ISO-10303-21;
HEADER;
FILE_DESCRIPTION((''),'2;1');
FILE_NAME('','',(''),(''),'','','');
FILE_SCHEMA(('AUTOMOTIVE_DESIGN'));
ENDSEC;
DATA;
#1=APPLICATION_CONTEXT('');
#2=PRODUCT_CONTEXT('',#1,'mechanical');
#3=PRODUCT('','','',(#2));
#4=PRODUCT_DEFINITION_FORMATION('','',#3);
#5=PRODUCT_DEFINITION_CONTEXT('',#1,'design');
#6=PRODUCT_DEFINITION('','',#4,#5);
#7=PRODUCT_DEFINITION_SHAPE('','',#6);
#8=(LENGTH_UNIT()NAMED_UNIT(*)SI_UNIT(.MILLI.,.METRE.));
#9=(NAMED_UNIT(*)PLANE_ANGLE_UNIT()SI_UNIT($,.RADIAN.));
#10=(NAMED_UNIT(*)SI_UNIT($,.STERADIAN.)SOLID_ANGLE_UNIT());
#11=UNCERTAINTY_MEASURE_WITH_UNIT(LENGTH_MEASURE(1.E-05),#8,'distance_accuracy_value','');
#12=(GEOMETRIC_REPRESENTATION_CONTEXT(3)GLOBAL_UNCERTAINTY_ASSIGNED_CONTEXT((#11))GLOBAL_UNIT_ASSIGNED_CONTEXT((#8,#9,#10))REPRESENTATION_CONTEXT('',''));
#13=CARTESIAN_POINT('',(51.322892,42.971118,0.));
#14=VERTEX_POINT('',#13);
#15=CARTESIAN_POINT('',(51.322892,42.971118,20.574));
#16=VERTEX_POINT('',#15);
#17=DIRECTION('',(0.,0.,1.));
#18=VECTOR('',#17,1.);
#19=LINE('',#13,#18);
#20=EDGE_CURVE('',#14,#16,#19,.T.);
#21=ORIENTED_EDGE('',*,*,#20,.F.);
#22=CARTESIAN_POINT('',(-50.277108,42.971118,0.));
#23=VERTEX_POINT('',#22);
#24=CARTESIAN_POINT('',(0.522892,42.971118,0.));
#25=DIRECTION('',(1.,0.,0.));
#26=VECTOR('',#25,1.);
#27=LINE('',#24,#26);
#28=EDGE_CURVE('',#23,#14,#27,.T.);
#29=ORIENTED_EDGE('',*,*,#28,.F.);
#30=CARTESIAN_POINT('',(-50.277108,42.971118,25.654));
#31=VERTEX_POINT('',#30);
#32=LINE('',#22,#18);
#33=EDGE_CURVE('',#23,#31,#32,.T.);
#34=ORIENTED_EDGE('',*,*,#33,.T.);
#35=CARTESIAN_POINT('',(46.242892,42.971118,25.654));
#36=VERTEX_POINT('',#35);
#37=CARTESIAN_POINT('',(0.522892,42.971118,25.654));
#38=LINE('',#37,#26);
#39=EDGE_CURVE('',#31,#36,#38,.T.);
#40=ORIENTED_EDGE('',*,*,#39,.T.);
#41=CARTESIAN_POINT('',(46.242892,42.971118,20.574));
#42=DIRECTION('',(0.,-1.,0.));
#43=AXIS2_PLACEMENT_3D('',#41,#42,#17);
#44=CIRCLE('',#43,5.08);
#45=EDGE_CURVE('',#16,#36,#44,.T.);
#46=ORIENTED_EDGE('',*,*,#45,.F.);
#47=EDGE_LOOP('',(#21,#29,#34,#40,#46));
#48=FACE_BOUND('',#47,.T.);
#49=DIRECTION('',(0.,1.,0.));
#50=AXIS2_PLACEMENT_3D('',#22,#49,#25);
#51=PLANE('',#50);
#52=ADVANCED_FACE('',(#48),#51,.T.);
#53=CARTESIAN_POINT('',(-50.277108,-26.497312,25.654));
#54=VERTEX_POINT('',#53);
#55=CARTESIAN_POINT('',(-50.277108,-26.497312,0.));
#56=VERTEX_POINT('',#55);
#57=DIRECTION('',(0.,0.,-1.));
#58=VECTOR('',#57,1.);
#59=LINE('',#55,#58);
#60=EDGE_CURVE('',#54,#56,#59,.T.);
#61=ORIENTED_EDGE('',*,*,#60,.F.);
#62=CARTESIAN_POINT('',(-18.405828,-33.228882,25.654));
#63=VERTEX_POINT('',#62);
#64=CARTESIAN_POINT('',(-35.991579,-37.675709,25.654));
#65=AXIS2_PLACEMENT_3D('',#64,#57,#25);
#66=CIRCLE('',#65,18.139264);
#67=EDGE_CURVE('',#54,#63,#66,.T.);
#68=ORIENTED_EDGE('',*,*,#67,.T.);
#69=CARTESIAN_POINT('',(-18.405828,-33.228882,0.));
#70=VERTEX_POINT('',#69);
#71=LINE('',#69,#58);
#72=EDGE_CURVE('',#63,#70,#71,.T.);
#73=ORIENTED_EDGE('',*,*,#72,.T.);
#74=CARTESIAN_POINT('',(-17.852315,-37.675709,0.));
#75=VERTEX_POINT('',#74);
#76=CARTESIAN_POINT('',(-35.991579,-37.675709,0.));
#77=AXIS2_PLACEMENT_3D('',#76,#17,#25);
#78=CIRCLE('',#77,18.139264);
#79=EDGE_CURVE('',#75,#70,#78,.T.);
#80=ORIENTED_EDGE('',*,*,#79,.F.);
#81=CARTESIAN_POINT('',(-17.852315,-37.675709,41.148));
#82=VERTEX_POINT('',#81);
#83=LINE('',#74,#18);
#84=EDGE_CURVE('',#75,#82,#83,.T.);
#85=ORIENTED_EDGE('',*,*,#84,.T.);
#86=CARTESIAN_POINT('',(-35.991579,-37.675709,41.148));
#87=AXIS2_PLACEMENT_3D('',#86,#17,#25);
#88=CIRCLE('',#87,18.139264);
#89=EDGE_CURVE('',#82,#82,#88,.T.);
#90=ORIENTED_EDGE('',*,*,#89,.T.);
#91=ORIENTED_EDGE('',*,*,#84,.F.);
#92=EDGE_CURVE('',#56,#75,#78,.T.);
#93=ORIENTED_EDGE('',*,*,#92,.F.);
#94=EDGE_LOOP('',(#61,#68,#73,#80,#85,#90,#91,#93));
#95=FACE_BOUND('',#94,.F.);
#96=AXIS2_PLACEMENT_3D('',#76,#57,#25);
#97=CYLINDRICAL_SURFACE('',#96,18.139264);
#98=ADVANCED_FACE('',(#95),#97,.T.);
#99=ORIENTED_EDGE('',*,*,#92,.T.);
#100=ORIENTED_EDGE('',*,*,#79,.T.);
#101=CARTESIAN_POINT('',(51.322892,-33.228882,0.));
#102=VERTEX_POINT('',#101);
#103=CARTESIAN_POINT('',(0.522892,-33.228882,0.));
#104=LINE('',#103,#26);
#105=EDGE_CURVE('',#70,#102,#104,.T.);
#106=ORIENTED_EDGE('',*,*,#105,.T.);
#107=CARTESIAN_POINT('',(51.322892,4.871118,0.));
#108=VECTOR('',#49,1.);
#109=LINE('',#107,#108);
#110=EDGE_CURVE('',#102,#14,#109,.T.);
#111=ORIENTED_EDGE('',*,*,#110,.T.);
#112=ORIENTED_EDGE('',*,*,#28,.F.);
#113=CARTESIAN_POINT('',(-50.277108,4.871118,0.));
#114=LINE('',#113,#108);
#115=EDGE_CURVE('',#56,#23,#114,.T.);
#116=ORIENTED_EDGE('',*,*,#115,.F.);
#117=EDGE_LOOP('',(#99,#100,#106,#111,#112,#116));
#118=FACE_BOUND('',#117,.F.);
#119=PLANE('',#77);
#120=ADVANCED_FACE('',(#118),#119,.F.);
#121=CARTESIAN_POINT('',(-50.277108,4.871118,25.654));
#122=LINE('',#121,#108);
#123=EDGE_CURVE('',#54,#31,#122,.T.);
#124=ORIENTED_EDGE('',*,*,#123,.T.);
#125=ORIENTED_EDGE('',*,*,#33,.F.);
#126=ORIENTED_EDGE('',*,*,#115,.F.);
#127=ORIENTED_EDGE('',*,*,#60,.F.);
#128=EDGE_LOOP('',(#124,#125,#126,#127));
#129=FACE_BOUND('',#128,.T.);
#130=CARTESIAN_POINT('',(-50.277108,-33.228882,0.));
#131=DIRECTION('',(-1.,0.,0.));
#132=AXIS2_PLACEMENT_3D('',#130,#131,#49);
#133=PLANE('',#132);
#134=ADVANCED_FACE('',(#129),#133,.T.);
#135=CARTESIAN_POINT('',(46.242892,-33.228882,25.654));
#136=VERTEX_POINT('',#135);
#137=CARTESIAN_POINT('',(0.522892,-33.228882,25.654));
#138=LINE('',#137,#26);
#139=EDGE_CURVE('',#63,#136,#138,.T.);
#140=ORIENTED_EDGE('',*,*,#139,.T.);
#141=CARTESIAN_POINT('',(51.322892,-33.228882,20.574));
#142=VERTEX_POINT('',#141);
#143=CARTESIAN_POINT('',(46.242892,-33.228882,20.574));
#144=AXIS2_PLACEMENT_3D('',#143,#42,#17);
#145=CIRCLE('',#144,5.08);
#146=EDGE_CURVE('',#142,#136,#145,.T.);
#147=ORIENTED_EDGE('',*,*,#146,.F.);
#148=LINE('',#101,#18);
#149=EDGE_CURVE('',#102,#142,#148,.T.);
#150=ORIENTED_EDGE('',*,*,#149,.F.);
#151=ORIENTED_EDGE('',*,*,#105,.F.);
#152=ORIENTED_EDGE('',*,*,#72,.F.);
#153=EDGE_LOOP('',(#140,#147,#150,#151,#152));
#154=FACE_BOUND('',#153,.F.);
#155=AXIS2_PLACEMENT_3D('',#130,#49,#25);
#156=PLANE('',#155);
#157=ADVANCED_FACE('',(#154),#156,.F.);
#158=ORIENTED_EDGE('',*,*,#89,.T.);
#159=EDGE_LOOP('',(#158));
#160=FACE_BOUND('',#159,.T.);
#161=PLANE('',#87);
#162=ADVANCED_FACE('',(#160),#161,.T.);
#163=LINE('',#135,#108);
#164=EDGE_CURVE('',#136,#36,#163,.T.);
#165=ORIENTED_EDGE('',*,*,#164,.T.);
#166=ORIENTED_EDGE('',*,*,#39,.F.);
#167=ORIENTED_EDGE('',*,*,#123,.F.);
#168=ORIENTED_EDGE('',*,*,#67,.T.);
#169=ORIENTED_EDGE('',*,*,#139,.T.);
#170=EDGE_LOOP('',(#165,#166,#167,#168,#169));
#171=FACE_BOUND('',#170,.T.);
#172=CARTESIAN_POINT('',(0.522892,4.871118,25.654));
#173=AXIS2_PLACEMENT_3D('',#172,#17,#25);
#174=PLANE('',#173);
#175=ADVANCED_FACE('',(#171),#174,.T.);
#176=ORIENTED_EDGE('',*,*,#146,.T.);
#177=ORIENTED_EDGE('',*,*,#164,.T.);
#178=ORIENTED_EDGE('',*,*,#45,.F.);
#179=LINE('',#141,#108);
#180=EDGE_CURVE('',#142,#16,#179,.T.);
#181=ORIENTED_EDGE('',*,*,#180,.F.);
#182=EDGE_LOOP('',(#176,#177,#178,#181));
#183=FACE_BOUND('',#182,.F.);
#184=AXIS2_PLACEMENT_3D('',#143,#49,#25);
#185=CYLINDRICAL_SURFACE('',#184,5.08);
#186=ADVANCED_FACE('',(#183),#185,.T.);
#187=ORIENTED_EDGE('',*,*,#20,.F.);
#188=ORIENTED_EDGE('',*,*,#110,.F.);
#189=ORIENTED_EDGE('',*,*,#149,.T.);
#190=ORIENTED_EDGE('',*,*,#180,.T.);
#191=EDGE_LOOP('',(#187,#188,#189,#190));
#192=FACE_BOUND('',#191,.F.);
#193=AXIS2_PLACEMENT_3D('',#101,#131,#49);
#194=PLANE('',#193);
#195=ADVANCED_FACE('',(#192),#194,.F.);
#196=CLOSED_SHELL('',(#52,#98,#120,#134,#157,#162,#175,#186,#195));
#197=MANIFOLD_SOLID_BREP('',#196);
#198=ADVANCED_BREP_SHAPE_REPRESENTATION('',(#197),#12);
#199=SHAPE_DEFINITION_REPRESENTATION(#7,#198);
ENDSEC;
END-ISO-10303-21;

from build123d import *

# Parameters (mm, degrees)
F0_W     = 101.6
F0_H     = 76.2
F1_DEPTH = 25.654
F2_R     = 5.08
F3_R     = 18.139264
F4_DEPTH = 41.148


with BuildPart() as f1:
    # F0 (on Top) → F1 (new body)
    with BuildSketch(Plane.XY):
        with Locations((0.522892, 4.871118)):
            Rectangle(F0_W, F0_H)
    extrude(amount=F1_DEPTH)

    # F2
    f2_edges = [f1.edges().sort_by_distance(p)[0] for p in [
        (51.322892, 4.871118, 25.654),
    ]]
    fillet(f2_edges, radius=F2_R)

    # F3 (on Top) → F4 (join)
    with BuildSketch(Plane.XY):
        with Locations((-35.991579, -37.675709)):
            Circle(F3_R)
    extrude(amount=F4_DEPTH)


solid = f1.part
